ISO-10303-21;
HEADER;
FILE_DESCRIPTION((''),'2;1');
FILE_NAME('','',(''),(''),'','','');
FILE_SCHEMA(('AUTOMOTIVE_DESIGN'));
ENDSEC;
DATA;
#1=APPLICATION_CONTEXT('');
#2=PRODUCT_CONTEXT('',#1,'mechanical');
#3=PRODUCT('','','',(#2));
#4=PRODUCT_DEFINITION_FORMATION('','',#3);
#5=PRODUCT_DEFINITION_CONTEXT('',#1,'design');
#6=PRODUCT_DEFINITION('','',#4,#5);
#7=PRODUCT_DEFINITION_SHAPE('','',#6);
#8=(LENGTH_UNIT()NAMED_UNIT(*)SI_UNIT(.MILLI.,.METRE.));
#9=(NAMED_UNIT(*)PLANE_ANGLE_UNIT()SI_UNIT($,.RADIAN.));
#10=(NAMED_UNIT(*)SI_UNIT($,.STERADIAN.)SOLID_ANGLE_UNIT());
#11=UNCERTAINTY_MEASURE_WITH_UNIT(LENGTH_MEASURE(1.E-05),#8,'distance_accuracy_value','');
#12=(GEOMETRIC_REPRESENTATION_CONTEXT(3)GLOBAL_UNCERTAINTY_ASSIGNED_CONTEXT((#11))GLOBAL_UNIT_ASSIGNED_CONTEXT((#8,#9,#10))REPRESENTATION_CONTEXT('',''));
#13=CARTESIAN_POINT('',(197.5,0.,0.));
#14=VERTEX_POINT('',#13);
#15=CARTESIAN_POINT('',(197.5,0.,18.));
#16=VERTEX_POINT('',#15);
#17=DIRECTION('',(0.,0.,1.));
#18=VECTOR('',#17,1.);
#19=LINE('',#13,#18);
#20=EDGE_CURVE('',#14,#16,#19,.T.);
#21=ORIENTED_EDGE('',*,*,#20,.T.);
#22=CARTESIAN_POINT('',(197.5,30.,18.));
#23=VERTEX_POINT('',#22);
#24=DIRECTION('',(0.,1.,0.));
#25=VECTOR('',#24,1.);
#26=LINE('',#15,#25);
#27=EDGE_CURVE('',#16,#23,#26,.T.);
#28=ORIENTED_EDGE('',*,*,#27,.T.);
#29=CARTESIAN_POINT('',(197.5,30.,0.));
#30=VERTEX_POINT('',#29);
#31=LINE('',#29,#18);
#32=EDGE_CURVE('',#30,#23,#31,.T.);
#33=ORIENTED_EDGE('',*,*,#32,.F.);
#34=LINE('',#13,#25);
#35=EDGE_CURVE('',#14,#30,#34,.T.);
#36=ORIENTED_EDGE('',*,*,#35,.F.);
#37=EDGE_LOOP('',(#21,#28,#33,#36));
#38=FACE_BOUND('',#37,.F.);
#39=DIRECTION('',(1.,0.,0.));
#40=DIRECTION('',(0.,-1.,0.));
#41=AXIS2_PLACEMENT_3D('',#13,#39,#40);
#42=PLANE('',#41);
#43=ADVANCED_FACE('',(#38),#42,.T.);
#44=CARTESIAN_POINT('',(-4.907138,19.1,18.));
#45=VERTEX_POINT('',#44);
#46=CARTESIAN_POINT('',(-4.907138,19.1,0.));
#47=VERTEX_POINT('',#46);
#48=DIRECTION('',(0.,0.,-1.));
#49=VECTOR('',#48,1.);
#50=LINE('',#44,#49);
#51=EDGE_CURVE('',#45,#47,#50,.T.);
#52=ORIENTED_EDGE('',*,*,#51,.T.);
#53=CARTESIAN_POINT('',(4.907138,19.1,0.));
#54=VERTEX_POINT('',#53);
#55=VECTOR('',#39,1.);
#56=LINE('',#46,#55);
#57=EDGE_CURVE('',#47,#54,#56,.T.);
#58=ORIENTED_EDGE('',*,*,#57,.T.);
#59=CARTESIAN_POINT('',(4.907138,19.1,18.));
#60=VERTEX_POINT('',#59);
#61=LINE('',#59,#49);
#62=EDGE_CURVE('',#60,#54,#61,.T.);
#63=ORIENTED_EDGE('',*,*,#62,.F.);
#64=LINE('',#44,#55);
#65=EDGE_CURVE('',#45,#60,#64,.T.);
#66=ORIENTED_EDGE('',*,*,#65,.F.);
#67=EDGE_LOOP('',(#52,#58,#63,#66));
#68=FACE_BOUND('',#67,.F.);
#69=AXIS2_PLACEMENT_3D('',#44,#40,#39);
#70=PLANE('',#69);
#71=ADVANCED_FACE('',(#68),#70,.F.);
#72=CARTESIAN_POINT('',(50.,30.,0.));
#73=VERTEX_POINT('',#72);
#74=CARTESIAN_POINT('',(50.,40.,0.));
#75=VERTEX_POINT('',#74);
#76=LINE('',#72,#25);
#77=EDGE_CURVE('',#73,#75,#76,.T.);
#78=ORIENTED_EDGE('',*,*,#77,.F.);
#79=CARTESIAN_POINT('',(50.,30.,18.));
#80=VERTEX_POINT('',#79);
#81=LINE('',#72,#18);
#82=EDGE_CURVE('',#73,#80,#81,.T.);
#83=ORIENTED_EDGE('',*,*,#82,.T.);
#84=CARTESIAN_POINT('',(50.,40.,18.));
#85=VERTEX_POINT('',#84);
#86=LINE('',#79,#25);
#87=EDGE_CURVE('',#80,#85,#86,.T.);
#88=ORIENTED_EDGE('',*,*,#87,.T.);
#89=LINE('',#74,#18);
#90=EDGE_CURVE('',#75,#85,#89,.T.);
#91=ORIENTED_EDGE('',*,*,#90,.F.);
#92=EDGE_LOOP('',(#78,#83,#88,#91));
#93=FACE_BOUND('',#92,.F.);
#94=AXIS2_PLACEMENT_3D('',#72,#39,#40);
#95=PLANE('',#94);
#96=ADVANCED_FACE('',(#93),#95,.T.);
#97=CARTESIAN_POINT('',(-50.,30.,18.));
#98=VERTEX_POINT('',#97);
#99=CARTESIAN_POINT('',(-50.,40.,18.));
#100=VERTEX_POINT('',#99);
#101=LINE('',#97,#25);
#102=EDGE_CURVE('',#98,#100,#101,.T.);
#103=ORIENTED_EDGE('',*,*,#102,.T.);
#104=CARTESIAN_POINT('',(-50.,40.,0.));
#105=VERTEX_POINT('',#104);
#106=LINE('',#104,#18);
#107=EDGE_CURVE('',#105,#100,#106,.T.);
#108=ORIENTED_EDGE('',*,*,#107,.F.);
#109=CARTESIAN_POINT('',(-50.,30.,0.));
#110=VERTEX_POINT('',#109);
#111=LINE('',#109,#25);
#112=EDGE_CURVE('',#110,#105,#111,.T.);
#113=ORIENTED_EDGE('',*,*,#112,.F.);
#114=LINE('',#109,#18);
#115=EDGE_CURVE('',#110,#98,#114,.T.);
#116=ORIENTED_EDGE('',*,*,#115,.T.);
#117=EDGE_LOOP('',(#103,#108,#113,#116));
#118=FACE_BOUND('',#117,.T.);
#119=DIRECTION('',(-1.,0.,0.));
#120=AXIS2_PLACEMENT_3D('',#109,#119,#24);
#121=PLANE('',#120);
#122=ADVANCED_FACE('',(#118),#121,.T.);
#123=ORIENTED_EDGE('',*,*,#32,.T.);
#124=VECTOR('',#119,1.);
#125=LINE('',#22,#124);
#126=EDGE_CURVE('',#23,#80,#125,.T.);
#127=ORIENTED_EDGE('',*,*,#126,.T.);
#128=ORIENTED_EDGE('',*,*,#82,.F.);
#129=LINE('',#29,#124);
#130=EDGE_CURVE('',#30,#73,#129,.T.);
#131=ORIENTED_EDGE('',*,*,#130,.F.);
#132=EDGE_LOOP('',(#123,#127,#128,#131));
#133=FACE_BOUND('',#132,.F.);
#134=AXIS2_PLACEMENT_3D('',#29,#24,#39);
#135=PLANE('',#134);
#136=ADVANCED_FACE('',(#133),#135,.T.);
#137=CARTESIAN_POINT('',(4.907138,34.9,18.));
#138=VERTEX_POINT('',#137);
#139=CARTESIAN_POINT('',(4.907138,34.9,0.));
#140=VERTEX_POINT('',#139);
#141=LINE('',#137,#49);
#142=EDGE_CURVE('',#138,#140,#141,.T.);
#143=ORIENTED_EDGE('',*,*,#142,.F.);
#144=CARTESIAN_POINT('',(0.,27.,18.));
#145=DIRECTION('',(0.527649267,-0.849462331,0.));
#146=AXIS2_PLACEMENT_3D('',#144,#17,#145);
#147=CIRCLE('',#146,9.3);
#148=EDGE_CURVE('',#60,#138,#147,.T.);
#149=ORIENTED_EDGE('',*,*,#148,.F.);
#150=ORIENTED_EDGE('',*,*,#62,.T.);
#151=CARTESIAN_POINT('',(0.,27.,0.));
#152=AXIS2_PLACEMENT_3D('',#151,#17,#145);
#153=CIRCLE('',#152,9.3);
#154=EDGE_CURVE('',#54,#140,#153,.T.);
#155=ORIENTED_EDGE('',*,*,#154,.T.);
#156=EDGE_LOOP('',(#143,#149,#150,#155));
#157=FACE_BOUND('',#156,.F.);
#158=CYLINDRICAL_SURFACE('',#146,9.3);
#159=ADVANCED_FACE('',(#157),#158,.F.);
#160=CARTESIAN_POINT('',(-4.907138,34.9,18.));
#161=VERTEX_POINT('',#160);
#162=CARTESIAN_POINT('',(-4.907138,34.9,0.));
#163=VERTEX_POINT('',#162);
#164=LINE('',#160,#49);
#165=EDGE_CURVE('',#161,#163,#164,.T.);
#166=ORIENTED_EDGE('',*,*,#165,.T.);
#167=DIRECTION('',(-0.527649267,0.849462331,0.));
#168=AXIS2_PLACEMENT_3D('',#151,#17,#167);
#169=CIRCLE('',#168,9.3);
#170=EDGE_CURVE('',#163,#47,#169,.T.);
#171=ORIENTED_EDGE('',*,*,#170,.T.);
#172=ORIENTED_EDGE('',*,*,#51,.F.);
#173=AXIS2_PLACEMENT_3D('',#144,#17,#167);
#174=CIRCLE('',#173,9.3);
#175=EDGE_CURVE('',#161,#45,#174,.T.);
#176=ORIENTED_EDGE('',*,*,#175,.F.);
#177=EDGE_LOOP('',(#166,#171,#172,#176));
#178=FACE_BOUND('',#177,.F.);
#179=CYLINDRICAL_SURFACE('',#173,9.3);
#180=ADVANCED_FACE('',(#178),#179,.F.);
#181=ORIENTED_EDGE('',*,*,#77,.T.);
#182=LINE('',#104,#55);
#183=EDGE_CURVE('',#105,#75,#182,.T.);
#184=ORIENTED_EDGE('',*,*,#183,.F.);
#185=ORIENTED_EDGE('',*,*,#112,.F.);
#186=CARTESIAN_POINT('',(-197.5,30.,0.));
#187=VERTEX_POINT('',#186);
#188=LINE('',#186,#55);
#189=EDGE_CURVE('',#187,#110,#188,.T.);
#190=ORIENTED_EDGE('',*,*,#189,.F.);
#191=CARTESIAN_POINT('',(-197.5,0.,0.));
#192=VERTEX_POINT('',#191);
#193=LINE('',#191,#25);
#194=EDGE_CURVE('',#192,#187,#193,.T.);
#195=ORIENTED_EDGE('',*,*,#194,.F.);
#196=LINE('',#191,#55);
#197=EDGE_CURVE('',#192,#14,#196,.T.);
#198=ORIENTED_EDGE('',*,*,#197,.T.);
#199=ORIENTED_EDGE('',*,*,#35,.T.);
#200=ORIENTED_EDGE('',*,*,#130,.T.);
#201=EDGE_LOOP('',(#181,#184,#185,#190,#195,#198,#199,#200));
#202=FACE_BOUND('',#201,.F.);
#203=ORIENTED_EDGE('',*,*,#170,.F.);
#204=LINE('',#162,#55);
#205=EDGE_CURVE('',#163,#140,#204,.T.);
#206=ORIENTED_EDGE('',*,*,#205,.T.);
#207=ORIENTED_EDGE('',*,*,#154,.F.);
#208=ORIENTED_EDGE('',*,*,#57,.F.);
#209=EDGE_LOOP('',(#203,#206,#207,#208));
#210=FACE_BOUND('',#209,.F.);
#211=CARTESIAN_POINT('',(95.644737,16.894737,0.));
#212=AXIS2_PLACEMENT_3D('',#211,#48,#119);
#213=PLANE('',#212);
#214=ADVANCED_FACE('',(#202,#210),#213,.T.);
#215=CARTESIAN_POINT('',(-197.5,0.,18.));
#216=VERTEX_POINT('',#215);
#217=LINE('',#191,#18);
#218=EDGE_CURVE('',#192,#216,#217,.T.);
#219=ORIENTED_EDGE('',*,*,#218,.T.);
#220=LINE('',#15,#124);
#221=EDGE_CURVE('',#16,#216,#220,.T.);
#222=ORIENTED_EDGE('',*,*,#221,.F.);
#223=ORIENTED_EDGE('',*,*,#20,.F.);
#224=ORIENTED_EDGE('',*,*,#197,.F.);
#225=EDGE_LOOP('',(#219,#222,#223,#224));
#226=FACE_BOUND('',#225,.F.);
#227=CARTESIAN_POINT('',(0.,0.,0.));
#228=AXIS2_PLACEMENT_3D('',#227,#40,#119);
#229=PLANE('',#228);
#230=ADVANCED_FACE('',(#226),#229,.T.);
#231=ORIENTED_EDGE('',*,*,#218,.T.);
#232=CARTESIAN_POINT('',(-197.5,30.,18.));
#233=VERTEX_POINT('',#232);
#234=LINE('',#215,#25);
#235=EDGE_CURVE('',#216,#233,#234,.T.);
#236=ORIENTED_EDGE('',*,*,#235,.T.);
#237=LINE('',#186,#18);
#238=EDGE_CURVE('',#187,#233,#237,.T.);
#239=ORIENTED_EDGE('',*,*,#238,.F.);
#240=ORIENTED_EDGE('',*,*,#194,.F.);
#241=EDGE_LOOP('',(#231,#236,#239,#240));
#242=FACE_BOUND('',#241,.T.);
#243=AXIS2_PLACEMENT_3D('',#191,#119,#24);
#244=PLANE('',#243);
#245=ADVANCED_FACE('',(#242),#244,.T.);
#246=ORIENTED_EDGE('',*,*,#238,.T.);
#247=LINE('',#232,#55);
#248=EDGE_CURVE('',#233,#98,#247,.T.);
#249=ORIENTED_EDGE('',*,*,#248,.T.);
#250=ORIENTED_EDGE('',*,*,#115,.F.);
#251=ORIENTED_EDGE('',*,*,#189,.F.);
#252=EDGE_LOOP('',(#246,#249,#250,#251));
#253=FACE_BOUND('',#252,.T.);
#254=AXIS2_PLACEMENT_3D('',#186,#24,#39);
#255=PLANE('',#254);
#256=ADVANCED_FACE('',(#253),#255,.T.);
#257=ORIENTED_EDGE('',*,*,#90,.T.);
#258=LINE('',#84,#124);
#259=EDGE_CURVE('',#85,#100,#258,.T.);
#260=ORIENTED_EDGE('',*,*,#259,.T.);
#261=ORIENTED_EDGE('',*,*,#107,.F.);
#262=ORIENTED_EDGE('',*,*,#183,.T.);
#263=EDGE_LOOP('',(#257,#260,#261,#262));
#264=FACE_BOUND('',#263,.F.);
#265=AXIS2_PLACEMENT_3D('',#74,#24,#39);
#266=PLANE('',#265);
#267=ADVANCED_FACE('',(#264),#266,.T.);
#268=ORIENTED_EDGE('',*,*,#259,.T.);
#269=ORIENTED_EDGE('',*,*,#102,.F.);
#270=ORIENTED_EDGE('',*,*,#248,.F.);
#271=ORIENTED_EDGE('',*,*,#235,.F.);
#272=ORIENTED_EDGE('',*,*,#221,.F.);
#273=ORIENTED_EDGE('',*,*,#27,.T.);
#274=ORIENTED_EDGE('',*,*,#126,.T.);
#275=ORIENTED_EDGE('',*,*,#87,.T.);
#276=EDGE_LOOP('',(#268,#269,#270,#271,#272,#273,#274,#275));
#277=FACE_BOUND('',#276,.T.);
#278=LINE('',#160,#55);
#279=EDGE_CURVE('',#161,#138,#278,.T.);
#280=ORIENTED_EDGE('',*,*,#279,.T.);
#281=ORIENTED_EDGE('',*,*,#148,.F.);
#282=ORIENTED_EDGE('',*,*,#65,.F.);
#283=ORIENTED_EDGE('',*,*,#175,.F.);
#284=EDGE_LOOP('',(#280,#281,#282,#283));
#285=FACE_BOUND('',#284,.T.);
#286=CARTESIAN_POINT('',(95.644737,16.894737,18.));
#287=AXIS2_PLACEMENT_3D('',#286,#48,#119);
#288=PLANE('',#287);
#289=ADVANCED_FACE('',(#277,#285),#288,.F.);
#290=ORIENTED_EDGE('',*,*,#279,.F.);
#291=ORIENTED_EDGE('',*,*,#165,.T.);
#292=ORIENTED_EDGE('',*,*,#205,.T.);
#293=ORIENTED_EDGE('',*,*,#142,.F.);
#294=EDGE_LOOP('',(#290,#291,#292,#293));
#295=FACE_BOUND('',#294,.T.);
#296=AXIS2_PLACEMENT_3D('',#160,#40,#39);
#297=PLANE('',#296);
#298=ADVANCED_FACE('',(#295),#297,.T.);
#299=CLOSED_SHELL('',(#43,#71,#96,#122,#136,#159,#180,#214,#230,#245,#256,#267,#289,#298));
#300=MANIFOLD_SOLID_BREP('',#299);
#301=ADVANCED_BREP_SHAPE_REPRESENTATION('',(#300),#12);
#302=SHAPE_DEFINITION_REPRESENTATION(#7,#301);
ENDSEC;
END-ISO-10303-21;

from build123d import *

# Parameters (mm, degrees)
PAD_DEPTH    = 18
POCKET_DEPTH = 18


with BuildPart() as part:
    # Sketch → Pad (new body)
    with BuildSketch(Plane.XY):
        Polygon((0, 0), (-197.5, 0), (-197.5, 30), (-50, 30), (-50, 40), (0, 40), align=None)
    pad = extrude(amount=PAD_DEPTH)

    # Mirrored: Pad across Sketch V_Axis
    add(pad.mirror(Plane(origin=(0, 0, 0), x_dir=(0, 0, 1), z_dir=(1, 0, 0))))

    # Sketch001 (on DatumPlane) → Pocket (cut)
    with BuildSketch(Plane.XY.offset(18)):
        with BuildLine():
            ThreePointArc((-4.907138, 34.9), (-9.3, 27), (-4.907138, 19.1))
            Line((-4.907138, 19.1), (4.907138, 19.1))
            ThreePointArc((4.907138, 19.1), (9.3, 27), (4.907138, 34.9))
            Line((-4.907138, 34.9), (4.907138, 34.9))
        make_face()
    extrude(amount=-POCKET_DEPTH, mode=Mode.SUBTRACT)


solid = part.part
